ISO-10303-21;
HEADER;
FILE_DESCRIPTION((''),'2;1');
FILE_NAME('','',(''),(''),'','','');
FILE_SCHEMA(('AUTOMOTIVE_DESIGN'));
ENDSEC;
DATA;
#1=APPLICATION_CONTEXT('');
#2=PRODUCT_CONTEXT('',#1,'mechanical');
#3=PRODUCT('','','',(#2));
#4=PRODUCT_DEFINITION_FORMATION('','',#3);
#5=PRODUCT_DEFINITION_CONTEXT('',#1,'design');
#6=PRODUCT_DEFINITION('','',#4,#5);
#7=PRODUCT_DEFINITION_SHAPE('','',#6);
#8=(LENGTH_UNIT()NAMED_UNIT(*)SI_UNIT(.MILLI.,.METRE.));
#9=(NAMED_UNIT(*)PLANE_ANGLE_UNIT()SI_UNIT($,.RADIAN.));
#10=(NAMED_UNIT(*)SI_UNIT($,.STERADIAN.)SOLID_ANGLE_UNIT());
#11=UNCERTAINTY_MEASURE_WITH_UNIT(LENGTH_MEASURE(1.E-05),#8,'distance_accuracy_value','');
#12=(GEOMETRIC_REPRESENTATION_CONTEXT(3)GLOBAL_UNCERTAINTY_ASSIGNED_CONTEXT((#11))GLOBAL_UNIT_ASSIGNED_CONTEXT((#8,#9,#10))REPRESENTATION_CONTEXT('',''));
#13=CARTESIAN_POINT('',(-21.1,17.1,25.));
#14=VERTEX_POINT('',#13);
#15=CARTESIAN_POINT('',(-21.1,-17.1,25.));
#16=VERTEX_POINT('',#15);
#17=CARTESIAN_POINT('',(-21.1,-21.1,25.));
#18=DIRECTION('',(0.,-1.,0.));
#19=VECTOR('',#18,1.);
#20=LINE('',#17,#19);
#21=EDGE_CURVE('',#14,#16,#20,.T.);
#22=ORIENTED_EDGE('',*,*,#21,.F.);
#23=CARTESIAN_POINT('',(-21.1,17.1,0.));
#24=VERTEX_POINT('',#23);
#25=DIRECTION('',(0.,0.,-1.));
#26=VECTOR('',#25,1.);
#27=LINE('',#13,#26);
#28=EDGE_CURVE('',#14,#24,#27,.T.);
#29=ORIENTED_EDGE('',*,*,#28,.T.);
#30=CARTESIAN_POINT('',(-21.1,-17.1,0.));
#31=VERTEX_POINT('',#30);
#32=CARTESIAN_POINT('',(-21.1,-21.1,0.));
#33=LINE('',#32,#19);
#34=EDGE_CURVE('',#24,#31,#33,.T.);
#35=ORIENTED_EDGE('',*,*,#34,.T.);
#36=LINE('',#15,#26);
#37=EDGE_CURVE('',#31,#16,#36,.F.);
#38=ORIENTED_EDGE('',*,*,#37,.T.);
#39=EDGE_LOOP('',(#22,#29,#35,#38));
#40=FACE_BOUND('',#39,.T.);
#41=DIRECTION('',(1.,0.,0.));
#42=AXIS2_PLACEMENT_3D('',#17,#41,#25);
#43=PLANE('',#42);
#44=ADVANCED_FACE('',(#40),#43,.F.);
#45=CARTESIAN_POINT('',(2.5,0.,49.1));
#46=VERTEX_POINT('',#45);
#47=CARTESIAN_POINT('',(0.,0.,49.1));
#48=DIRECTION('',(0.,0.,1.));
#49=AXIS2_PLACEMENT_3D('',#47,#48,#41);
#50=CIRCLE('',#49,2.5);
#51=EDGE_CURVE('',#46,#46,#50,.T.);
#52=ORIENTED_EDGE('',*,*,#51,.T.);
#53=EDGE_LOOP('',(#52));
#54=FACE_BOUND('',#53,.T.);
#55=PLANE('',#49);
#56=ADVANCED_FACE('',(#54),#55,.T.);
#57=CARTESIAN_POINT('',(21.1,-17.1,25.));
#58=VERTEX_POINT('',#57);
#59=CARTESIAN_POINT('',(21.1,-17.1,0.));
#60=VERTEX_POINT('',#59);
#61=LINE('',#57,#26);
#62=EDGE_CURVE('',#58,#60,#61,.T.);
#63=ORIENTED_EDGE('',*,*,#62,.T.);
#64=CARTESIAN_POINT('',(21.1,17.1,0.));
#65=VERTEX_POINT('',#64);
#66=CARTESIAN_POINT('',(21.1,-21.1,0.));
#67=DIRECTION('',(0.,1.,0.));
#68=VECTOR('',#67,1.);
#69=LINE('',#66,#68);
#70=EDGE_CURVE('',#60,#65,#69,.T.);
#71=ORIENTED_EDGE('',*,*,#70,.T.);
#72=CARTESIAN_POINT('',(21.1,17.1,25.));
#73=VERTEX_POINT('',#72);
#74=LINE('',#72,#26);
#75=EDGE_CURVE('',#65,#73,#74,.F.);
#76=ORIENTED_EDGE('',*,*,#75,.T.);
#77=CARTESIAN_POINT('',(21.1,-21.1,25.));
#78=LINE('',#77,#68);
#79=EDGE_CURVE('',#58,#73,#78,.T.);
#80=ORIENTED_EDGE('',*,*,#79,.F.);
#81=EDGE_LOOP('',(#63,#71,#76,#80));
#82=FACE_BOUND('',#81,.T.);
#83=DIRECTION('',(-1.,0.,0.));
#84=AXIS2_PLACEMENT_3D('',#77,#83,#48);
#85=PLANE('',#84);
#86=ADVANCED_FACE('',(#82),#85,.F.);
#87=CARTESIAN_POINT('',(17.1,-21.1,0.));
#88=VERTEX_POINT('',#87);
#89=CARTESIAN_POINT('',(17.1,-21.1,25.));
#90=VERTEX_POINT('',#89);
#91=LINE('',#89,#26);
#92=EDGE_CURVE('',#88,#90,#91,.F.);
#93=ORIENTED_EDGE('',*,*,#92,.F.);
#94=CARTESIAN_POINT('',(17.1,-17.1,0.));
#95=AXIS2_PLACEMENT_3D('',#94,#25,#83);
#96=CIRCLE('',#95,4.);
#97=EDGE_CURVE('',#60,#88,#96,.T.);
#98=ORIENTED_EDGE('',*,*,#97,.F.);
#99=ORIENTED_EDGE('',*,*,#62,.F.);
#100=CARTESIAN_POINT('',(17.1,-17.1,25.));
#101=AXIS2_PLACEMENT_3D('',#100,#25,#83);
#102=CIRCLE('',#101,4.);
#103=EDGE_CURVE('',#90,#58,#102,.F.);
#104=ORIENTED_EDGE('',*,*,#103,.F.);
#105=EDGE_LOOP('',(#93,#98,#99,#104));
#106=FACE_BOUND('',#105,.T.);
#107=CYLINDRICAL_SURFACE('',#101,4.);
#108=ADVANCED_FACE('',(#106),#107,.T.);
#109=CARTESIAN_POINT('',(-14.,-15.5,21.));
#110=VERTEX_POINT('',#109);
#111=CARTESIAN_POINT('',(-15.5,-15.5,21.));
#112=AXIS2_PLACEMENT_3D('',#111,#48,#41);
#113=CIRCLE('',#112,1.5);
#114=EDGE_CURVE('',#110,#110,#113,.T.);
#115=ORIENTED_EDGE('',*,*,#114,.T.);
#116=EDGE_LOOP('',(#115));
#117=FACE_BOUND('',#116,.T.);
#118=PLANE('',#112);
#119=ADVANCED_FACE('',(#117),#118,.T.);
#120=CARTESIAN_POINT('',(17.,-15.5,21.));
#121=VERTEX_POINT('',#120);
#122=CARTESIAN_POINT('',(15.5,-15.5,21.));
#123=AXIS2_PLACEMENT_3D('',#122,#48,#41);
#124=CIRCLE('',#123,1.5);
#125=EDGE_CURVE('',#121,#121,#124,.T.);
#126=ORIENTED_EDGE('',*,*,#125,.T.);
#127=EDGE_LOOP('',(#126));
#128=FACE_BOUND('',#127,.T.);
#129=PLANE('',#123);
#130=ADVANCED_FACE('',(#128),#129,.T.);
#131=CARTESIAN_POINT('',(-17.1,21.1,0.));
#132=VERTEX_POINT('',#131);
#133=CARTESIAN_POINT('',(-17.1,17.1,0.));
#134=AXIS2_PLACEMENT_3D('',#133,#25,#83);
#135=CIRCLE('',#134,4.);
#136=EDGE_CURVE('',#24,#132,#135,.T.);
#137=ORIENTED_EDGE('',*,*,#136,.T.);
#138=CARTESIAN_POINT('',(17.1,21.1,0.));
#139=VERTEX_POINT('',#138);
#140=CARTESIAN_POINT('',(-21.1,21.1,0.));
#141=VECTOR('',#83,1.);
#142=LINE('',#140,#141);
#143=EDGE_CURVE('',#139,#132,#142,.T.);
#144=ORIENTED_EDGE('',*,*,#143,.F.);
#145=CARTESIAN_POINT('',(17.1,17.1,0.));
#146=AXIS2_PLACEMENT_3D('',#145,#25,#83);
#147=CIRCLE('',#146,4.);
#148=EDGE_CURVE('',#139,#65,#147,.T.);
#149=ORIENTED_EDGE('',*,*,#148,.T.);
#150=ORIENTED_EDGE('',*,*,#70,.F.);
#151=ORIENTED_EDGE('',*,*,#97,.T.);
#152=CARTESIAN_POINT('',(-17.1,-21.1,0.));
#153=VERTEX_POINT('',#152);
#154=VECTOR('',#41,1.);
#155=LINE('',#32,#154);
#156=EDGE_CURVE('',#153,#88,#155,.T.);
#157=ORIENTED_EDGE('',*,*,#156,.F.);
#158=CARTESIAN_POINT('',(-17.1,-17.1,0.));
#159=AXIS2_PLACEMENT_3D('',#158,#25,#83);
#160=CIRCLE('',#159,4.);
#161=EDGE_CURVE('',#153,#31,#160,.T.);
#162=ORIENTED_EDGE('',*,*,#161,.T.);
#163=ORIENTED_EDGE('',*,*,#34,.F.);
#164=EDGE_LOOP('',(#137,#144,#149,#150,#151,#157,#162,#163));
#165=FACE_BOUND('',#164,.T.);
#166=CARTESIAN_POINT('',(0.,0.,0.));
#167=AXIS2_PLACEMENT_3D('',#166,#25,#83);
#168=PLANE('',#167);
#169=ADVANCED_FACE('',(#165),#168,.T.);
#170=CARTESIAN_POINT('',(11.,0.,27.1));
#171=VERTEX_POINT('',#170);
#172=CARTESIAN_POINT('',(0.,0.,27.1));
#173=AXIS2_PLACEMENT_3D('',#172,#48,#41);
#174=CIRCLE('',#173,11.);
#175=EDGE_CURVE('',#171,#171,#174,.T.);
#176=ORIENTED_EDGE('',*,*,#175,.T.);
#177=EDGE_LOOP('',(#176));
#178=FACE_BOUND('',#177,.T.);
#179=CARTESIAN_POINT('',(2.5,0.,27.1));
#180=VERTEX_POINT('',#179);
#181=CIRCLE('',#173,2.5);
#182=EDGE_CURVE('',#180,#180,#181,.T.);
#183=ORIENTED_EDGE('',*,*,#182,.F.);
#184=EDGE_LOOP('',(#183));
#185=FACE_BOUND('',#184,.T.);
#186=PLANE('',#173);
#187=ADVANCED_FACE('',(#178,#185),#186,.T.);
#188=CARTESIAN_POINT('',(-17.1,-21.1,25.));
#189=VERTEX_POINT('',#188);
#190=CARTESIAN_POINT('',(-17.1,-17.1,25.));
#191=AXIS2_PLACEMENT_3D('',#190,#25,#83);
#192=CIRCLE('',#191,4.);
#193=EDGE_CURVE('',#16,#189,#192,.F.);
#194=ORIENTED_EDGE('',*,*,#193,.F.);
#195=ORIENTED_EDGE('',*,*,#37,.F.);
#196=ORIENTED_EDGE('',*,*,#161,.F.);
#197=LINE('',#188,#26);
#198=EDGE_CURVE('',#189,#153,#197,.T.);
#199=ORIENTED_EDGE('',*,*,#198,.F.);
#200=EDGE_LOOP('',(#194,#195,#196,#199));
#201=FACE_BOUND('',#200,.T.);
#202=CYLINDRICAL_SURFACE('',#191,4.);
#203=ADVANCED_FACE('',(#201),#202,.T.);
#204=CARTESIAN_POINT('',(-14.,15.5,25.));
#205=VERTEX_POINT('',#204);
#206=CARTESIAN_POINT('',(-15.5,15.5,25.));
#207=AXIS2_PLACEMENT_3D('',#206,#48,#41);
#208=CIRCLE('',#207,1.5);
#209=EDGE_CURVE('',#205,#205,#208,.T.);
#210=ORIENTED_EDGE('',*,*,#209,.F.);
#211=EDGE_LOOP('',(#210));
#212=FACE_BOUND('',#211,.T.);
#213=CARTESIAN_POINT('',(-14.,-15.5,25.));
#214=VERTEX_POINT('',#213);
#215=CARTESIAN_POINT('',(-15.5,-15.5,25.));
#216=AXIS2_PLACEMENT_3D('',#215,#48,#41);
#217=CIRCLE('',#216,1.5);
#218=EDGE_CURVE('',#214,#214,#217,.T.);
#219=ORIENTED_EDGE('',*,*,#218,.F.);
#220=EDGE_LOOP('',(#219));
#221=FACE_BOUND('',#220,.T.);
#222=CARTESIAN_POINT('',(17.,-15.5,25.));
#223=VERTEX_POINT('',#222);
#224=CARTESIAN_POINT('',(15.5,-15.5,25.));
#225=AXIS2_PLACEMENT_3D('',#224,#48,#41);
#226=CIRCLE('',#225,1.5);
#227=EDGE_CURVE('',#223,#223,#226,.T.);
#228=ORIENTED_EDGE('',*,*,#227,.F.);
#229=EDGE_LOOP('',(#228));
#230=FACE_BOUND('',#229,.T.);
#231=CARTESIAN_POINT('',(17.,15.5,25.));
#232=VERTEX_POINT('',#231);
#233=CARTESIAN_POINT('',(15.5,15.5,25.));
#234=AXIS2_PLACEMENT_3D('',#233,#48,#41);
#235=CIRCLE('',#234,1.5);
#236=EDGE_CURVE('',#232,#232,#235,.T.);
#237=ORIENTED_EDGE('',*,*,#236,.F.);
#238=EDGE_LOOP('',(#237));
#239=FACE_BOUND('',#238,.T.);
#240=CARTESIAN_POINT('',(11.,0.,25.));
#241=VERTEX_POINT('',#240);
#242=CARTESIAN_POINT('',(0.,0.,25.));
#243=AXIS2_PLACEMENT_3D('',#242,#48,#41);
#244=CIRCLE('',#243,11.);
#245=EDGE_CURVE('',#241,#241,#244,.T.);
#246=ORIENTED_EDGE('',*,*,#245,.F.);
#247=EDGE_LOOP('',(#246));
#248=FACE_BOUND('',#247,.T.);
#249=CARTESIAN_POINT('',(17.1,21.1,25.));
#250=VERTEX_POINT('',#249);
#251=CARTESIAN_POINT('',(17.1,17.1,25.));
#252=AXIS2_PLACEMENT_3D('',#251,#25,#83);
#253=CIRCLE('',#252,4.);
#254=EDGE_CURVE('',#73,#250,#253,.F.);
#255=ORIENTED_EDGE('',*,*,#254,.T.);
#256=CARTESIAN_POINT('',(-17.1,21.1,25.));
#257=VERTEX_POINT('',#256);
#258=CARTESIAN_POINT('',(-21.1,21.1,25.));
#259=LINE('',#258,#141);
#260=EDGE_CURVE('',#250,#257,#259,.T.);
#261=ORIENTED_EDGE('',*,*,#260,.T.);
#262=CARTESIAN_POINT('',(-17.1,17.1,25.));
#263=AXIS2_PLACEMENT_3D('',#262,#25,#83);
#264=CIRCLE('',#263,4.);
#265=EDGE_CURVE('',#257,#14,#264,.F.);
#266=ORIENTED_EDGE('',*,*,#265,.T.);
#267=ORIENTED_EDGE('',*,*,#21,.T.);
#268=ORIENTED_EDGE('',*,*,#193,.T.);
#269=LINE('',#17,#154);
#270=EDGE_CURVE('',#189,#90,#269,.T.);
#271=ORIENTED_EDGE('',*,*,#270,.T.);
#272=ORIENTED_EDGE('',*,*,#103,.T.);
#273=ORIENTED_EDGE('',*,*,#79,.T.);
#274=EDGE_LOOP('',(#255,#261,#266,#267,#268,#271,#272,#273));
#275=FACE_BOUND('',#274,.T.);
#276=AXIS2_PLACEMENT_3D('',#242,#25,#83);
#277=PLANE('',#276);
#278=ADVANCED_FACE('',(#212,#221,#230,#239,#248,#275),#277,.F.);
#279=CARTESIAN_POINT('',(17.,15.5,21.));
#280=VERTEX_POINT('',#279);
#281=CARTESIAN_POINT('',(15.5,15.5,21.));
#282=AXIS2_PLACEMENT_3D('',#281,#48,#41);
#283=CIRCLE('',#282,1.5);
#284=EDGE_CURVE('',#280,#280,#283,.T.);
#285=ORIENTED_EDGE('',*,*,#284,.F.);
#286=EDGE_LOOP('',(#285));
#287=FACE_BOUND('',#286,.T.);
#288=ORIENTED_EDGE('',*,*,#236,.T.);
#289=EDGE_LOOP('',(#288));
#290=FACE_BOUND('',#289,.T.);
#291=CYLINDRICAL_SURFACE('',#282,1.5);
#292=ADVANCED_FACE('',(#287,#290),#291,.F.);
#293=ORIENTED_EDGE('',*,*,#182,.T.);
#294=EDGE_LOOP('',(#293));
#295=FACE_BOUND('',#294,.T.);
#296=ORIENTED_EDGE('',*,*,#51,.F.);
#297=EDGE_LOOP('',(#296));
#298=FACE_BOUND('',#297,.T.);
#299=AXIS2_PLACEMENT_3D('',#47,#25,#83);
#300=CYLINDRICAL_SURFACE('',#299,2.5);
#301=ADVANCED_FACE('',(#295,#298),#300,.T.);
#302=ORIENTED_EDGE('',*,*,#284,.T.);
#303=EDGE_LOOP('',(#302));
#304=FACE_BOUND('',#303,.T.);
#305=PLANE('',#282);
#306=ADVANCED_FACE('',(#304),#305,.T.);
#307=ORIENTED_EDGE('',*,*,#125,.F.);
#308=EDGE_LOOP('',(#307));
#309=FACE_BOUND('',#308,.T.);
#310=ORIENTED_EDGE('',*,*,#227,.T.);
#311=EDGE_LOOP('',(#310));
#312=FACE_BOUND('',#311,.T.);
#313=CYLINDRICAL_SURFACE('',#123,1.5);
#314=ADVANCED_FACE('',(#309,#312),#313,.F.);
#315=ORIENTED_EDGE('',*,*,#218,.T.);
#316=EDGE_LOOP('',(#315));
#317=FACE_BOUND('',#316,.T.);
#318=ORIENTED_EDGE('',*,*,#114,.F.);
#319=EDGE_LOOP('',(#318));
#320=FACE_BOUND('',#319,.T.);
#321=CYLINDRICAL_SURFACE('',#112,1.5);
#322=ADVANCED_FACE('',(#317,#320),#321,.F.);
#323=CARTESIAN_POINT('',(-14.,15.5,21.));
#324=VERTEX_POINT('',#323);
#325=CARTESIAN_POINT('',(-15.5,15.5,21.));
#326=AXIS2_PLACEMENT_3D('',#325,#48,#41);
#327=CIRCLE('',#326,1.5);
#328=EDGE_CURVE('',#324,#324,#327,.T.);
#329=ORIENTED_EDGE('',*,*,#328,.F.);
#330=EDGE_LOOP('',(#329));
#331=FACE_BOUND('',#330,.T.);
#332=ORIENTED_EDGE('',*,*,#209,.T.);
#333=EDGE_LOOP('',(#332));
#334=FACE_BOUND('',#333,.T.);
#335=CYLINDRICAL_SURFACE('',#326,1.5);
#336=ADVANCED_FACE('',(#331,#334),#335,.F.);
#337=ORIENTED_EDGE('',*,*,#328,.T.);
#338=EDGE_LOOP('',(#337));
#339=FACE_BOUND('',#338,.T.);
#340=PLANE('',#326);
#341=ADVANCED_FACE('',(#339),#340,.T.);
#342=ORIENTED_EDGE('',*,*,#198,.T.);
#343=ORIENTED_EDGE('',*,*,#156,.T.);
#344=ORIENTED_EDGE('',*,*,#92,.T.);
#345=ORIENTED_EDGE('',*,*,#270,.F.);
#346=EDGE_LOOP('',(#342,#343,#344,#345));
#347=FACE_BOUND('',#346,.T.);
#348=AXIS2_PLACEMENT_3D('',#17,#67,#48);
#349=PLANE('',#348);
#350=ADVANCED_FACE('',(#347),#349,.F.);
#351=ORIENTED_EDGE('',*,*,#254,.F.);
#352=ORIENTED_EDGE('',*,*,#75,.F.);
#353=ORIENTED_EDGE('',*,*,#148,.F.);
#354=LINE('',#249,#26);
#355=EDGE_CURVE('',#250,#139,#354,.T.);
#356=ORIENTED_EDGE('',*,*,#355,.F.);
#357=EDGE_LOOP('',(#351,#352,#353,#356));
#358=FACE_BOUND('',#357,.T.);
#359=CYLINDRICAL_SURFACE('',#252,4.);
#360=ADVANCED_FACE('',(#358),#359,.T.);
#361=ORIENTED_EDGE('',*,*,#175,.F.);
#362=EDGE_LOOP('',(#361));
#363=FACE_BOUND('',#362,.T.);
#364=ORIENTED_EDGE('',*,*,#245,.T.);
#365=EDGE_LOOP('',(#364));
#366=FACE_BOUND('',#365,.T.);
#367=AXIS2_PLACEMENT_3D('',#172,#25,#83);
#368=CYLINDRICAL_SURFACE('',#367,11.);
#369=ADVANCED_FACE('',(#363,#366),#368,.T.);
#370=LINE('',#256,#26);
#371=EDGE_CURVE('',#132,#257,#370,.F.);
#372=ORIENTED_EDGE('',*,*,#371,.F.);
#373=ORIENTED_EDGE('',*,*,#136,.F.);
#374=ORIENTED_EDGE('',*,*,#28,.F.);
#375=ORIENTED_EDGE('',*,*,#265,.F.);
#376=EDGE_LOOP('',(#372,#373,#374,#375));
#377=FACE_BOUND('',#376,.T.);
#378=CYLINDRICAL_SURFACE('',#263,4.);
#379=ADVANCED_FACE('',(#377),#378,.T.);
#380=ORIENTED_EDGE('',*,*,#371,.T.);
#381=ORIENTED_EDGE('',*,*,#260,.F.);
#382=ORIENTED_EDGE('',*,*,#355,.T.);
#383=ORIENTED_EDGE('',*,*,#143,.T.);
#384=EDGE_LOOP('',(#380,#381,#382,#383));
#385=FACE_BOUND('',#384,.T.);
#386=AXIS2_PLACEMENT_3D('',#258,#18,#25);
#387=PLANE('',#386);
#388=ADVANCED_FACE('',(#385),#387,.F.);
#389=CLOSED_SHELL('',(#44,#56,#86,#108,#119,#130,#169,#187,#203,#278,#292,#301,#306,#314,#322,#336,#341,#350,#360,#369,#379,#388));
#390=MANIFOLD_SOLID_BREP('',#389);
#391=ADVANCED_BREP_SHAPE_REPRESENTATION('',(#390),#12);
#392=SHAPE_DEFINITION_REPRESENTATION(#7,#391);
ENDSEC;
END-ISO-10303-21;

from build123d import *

# Parameters (mm, degrees)
SKIZZE1_W                       = 42.2
SKIZZE1_H                       = 42.2
AUFSATZ_LINEAR_AUSTRAGEN1_DEPTH = 25
SKIZZE2_R                       = 11
AUFSATZ_LINEAR_AUSTRAGEN2_DEPTH = 2.1
SKIZZE3_R                       = 2.5
AUFSATZ_LINEAR_AUSTRAGEN3_DEPTH = 22
SKIZZE4_R                       = 1.5
SCHNITT_LINEAR_AUSTRAGEN1_DEPTH = 4
FILLET1_R                       = 4


with BuildPart() as part:
    # Skizze1 → Aufsatz-Linear austragen1 (new body)
    with BuildSketch(Plane.XY):
        Rectangle(SKIZZE1_W, SKIZZE1_H)
    extrude(amount=AUFSATZ_LINEAR_AUSTRAGEN1_DEPTH)

    # Skizze2 → Aufsatz-Linear austragen2 (add)
    with BuildSketch(Plane.XY.offset(25)):
        Circle(SKIZZE2_R)
    extrude(amount=AUFSATZ_LINEAR_AUSTRAGEN2_DEPTH)

    # Skizze3 → Aufsatz-Linear austragen3 (add)
    with BuildSketch(Plane.XY.offset(27.1)):
        Circle(SKIZZE3_R)
    extrude(amount=AUFSATZ_LINEAR_AUSTRAGEN3_DEPTH)

    # Skizze4 → Schnitt-Linear austragen1 (cut)
    with BuildSketch(Plane.XY.offset(25)):
        with Locations((-15.5, 15.5)):
            Circle(SKIZZE4_R)
        with Locations((15.5, 15.5)):
            Circle(SKIZZE4_R)
        with Locations((15.5, -15.5)):
            Circle(SKIZZE4_R)
        with Locations((-15.5, -15.5)):
            Circle(SKIZZE4_R)
    extrude(amount=-SCHNITT_LINEAR_AUSTRAGEN1_DEPTH, mode=Mode.SUBTRACT)

    # Fillet1
    fillet1_edges = [part.edges().sort_by_distance(p)[0] for p in [
        (21.1, -21.1, 12.5),
        (-21.1, -21.1, 12.5),
        (-21.1, 21.1, 12.5),
        (21.1, 21.1, 12.5),
    ]]
    fillet(fillet1_edges, radius=FILLET1_R)


solid = part.part
